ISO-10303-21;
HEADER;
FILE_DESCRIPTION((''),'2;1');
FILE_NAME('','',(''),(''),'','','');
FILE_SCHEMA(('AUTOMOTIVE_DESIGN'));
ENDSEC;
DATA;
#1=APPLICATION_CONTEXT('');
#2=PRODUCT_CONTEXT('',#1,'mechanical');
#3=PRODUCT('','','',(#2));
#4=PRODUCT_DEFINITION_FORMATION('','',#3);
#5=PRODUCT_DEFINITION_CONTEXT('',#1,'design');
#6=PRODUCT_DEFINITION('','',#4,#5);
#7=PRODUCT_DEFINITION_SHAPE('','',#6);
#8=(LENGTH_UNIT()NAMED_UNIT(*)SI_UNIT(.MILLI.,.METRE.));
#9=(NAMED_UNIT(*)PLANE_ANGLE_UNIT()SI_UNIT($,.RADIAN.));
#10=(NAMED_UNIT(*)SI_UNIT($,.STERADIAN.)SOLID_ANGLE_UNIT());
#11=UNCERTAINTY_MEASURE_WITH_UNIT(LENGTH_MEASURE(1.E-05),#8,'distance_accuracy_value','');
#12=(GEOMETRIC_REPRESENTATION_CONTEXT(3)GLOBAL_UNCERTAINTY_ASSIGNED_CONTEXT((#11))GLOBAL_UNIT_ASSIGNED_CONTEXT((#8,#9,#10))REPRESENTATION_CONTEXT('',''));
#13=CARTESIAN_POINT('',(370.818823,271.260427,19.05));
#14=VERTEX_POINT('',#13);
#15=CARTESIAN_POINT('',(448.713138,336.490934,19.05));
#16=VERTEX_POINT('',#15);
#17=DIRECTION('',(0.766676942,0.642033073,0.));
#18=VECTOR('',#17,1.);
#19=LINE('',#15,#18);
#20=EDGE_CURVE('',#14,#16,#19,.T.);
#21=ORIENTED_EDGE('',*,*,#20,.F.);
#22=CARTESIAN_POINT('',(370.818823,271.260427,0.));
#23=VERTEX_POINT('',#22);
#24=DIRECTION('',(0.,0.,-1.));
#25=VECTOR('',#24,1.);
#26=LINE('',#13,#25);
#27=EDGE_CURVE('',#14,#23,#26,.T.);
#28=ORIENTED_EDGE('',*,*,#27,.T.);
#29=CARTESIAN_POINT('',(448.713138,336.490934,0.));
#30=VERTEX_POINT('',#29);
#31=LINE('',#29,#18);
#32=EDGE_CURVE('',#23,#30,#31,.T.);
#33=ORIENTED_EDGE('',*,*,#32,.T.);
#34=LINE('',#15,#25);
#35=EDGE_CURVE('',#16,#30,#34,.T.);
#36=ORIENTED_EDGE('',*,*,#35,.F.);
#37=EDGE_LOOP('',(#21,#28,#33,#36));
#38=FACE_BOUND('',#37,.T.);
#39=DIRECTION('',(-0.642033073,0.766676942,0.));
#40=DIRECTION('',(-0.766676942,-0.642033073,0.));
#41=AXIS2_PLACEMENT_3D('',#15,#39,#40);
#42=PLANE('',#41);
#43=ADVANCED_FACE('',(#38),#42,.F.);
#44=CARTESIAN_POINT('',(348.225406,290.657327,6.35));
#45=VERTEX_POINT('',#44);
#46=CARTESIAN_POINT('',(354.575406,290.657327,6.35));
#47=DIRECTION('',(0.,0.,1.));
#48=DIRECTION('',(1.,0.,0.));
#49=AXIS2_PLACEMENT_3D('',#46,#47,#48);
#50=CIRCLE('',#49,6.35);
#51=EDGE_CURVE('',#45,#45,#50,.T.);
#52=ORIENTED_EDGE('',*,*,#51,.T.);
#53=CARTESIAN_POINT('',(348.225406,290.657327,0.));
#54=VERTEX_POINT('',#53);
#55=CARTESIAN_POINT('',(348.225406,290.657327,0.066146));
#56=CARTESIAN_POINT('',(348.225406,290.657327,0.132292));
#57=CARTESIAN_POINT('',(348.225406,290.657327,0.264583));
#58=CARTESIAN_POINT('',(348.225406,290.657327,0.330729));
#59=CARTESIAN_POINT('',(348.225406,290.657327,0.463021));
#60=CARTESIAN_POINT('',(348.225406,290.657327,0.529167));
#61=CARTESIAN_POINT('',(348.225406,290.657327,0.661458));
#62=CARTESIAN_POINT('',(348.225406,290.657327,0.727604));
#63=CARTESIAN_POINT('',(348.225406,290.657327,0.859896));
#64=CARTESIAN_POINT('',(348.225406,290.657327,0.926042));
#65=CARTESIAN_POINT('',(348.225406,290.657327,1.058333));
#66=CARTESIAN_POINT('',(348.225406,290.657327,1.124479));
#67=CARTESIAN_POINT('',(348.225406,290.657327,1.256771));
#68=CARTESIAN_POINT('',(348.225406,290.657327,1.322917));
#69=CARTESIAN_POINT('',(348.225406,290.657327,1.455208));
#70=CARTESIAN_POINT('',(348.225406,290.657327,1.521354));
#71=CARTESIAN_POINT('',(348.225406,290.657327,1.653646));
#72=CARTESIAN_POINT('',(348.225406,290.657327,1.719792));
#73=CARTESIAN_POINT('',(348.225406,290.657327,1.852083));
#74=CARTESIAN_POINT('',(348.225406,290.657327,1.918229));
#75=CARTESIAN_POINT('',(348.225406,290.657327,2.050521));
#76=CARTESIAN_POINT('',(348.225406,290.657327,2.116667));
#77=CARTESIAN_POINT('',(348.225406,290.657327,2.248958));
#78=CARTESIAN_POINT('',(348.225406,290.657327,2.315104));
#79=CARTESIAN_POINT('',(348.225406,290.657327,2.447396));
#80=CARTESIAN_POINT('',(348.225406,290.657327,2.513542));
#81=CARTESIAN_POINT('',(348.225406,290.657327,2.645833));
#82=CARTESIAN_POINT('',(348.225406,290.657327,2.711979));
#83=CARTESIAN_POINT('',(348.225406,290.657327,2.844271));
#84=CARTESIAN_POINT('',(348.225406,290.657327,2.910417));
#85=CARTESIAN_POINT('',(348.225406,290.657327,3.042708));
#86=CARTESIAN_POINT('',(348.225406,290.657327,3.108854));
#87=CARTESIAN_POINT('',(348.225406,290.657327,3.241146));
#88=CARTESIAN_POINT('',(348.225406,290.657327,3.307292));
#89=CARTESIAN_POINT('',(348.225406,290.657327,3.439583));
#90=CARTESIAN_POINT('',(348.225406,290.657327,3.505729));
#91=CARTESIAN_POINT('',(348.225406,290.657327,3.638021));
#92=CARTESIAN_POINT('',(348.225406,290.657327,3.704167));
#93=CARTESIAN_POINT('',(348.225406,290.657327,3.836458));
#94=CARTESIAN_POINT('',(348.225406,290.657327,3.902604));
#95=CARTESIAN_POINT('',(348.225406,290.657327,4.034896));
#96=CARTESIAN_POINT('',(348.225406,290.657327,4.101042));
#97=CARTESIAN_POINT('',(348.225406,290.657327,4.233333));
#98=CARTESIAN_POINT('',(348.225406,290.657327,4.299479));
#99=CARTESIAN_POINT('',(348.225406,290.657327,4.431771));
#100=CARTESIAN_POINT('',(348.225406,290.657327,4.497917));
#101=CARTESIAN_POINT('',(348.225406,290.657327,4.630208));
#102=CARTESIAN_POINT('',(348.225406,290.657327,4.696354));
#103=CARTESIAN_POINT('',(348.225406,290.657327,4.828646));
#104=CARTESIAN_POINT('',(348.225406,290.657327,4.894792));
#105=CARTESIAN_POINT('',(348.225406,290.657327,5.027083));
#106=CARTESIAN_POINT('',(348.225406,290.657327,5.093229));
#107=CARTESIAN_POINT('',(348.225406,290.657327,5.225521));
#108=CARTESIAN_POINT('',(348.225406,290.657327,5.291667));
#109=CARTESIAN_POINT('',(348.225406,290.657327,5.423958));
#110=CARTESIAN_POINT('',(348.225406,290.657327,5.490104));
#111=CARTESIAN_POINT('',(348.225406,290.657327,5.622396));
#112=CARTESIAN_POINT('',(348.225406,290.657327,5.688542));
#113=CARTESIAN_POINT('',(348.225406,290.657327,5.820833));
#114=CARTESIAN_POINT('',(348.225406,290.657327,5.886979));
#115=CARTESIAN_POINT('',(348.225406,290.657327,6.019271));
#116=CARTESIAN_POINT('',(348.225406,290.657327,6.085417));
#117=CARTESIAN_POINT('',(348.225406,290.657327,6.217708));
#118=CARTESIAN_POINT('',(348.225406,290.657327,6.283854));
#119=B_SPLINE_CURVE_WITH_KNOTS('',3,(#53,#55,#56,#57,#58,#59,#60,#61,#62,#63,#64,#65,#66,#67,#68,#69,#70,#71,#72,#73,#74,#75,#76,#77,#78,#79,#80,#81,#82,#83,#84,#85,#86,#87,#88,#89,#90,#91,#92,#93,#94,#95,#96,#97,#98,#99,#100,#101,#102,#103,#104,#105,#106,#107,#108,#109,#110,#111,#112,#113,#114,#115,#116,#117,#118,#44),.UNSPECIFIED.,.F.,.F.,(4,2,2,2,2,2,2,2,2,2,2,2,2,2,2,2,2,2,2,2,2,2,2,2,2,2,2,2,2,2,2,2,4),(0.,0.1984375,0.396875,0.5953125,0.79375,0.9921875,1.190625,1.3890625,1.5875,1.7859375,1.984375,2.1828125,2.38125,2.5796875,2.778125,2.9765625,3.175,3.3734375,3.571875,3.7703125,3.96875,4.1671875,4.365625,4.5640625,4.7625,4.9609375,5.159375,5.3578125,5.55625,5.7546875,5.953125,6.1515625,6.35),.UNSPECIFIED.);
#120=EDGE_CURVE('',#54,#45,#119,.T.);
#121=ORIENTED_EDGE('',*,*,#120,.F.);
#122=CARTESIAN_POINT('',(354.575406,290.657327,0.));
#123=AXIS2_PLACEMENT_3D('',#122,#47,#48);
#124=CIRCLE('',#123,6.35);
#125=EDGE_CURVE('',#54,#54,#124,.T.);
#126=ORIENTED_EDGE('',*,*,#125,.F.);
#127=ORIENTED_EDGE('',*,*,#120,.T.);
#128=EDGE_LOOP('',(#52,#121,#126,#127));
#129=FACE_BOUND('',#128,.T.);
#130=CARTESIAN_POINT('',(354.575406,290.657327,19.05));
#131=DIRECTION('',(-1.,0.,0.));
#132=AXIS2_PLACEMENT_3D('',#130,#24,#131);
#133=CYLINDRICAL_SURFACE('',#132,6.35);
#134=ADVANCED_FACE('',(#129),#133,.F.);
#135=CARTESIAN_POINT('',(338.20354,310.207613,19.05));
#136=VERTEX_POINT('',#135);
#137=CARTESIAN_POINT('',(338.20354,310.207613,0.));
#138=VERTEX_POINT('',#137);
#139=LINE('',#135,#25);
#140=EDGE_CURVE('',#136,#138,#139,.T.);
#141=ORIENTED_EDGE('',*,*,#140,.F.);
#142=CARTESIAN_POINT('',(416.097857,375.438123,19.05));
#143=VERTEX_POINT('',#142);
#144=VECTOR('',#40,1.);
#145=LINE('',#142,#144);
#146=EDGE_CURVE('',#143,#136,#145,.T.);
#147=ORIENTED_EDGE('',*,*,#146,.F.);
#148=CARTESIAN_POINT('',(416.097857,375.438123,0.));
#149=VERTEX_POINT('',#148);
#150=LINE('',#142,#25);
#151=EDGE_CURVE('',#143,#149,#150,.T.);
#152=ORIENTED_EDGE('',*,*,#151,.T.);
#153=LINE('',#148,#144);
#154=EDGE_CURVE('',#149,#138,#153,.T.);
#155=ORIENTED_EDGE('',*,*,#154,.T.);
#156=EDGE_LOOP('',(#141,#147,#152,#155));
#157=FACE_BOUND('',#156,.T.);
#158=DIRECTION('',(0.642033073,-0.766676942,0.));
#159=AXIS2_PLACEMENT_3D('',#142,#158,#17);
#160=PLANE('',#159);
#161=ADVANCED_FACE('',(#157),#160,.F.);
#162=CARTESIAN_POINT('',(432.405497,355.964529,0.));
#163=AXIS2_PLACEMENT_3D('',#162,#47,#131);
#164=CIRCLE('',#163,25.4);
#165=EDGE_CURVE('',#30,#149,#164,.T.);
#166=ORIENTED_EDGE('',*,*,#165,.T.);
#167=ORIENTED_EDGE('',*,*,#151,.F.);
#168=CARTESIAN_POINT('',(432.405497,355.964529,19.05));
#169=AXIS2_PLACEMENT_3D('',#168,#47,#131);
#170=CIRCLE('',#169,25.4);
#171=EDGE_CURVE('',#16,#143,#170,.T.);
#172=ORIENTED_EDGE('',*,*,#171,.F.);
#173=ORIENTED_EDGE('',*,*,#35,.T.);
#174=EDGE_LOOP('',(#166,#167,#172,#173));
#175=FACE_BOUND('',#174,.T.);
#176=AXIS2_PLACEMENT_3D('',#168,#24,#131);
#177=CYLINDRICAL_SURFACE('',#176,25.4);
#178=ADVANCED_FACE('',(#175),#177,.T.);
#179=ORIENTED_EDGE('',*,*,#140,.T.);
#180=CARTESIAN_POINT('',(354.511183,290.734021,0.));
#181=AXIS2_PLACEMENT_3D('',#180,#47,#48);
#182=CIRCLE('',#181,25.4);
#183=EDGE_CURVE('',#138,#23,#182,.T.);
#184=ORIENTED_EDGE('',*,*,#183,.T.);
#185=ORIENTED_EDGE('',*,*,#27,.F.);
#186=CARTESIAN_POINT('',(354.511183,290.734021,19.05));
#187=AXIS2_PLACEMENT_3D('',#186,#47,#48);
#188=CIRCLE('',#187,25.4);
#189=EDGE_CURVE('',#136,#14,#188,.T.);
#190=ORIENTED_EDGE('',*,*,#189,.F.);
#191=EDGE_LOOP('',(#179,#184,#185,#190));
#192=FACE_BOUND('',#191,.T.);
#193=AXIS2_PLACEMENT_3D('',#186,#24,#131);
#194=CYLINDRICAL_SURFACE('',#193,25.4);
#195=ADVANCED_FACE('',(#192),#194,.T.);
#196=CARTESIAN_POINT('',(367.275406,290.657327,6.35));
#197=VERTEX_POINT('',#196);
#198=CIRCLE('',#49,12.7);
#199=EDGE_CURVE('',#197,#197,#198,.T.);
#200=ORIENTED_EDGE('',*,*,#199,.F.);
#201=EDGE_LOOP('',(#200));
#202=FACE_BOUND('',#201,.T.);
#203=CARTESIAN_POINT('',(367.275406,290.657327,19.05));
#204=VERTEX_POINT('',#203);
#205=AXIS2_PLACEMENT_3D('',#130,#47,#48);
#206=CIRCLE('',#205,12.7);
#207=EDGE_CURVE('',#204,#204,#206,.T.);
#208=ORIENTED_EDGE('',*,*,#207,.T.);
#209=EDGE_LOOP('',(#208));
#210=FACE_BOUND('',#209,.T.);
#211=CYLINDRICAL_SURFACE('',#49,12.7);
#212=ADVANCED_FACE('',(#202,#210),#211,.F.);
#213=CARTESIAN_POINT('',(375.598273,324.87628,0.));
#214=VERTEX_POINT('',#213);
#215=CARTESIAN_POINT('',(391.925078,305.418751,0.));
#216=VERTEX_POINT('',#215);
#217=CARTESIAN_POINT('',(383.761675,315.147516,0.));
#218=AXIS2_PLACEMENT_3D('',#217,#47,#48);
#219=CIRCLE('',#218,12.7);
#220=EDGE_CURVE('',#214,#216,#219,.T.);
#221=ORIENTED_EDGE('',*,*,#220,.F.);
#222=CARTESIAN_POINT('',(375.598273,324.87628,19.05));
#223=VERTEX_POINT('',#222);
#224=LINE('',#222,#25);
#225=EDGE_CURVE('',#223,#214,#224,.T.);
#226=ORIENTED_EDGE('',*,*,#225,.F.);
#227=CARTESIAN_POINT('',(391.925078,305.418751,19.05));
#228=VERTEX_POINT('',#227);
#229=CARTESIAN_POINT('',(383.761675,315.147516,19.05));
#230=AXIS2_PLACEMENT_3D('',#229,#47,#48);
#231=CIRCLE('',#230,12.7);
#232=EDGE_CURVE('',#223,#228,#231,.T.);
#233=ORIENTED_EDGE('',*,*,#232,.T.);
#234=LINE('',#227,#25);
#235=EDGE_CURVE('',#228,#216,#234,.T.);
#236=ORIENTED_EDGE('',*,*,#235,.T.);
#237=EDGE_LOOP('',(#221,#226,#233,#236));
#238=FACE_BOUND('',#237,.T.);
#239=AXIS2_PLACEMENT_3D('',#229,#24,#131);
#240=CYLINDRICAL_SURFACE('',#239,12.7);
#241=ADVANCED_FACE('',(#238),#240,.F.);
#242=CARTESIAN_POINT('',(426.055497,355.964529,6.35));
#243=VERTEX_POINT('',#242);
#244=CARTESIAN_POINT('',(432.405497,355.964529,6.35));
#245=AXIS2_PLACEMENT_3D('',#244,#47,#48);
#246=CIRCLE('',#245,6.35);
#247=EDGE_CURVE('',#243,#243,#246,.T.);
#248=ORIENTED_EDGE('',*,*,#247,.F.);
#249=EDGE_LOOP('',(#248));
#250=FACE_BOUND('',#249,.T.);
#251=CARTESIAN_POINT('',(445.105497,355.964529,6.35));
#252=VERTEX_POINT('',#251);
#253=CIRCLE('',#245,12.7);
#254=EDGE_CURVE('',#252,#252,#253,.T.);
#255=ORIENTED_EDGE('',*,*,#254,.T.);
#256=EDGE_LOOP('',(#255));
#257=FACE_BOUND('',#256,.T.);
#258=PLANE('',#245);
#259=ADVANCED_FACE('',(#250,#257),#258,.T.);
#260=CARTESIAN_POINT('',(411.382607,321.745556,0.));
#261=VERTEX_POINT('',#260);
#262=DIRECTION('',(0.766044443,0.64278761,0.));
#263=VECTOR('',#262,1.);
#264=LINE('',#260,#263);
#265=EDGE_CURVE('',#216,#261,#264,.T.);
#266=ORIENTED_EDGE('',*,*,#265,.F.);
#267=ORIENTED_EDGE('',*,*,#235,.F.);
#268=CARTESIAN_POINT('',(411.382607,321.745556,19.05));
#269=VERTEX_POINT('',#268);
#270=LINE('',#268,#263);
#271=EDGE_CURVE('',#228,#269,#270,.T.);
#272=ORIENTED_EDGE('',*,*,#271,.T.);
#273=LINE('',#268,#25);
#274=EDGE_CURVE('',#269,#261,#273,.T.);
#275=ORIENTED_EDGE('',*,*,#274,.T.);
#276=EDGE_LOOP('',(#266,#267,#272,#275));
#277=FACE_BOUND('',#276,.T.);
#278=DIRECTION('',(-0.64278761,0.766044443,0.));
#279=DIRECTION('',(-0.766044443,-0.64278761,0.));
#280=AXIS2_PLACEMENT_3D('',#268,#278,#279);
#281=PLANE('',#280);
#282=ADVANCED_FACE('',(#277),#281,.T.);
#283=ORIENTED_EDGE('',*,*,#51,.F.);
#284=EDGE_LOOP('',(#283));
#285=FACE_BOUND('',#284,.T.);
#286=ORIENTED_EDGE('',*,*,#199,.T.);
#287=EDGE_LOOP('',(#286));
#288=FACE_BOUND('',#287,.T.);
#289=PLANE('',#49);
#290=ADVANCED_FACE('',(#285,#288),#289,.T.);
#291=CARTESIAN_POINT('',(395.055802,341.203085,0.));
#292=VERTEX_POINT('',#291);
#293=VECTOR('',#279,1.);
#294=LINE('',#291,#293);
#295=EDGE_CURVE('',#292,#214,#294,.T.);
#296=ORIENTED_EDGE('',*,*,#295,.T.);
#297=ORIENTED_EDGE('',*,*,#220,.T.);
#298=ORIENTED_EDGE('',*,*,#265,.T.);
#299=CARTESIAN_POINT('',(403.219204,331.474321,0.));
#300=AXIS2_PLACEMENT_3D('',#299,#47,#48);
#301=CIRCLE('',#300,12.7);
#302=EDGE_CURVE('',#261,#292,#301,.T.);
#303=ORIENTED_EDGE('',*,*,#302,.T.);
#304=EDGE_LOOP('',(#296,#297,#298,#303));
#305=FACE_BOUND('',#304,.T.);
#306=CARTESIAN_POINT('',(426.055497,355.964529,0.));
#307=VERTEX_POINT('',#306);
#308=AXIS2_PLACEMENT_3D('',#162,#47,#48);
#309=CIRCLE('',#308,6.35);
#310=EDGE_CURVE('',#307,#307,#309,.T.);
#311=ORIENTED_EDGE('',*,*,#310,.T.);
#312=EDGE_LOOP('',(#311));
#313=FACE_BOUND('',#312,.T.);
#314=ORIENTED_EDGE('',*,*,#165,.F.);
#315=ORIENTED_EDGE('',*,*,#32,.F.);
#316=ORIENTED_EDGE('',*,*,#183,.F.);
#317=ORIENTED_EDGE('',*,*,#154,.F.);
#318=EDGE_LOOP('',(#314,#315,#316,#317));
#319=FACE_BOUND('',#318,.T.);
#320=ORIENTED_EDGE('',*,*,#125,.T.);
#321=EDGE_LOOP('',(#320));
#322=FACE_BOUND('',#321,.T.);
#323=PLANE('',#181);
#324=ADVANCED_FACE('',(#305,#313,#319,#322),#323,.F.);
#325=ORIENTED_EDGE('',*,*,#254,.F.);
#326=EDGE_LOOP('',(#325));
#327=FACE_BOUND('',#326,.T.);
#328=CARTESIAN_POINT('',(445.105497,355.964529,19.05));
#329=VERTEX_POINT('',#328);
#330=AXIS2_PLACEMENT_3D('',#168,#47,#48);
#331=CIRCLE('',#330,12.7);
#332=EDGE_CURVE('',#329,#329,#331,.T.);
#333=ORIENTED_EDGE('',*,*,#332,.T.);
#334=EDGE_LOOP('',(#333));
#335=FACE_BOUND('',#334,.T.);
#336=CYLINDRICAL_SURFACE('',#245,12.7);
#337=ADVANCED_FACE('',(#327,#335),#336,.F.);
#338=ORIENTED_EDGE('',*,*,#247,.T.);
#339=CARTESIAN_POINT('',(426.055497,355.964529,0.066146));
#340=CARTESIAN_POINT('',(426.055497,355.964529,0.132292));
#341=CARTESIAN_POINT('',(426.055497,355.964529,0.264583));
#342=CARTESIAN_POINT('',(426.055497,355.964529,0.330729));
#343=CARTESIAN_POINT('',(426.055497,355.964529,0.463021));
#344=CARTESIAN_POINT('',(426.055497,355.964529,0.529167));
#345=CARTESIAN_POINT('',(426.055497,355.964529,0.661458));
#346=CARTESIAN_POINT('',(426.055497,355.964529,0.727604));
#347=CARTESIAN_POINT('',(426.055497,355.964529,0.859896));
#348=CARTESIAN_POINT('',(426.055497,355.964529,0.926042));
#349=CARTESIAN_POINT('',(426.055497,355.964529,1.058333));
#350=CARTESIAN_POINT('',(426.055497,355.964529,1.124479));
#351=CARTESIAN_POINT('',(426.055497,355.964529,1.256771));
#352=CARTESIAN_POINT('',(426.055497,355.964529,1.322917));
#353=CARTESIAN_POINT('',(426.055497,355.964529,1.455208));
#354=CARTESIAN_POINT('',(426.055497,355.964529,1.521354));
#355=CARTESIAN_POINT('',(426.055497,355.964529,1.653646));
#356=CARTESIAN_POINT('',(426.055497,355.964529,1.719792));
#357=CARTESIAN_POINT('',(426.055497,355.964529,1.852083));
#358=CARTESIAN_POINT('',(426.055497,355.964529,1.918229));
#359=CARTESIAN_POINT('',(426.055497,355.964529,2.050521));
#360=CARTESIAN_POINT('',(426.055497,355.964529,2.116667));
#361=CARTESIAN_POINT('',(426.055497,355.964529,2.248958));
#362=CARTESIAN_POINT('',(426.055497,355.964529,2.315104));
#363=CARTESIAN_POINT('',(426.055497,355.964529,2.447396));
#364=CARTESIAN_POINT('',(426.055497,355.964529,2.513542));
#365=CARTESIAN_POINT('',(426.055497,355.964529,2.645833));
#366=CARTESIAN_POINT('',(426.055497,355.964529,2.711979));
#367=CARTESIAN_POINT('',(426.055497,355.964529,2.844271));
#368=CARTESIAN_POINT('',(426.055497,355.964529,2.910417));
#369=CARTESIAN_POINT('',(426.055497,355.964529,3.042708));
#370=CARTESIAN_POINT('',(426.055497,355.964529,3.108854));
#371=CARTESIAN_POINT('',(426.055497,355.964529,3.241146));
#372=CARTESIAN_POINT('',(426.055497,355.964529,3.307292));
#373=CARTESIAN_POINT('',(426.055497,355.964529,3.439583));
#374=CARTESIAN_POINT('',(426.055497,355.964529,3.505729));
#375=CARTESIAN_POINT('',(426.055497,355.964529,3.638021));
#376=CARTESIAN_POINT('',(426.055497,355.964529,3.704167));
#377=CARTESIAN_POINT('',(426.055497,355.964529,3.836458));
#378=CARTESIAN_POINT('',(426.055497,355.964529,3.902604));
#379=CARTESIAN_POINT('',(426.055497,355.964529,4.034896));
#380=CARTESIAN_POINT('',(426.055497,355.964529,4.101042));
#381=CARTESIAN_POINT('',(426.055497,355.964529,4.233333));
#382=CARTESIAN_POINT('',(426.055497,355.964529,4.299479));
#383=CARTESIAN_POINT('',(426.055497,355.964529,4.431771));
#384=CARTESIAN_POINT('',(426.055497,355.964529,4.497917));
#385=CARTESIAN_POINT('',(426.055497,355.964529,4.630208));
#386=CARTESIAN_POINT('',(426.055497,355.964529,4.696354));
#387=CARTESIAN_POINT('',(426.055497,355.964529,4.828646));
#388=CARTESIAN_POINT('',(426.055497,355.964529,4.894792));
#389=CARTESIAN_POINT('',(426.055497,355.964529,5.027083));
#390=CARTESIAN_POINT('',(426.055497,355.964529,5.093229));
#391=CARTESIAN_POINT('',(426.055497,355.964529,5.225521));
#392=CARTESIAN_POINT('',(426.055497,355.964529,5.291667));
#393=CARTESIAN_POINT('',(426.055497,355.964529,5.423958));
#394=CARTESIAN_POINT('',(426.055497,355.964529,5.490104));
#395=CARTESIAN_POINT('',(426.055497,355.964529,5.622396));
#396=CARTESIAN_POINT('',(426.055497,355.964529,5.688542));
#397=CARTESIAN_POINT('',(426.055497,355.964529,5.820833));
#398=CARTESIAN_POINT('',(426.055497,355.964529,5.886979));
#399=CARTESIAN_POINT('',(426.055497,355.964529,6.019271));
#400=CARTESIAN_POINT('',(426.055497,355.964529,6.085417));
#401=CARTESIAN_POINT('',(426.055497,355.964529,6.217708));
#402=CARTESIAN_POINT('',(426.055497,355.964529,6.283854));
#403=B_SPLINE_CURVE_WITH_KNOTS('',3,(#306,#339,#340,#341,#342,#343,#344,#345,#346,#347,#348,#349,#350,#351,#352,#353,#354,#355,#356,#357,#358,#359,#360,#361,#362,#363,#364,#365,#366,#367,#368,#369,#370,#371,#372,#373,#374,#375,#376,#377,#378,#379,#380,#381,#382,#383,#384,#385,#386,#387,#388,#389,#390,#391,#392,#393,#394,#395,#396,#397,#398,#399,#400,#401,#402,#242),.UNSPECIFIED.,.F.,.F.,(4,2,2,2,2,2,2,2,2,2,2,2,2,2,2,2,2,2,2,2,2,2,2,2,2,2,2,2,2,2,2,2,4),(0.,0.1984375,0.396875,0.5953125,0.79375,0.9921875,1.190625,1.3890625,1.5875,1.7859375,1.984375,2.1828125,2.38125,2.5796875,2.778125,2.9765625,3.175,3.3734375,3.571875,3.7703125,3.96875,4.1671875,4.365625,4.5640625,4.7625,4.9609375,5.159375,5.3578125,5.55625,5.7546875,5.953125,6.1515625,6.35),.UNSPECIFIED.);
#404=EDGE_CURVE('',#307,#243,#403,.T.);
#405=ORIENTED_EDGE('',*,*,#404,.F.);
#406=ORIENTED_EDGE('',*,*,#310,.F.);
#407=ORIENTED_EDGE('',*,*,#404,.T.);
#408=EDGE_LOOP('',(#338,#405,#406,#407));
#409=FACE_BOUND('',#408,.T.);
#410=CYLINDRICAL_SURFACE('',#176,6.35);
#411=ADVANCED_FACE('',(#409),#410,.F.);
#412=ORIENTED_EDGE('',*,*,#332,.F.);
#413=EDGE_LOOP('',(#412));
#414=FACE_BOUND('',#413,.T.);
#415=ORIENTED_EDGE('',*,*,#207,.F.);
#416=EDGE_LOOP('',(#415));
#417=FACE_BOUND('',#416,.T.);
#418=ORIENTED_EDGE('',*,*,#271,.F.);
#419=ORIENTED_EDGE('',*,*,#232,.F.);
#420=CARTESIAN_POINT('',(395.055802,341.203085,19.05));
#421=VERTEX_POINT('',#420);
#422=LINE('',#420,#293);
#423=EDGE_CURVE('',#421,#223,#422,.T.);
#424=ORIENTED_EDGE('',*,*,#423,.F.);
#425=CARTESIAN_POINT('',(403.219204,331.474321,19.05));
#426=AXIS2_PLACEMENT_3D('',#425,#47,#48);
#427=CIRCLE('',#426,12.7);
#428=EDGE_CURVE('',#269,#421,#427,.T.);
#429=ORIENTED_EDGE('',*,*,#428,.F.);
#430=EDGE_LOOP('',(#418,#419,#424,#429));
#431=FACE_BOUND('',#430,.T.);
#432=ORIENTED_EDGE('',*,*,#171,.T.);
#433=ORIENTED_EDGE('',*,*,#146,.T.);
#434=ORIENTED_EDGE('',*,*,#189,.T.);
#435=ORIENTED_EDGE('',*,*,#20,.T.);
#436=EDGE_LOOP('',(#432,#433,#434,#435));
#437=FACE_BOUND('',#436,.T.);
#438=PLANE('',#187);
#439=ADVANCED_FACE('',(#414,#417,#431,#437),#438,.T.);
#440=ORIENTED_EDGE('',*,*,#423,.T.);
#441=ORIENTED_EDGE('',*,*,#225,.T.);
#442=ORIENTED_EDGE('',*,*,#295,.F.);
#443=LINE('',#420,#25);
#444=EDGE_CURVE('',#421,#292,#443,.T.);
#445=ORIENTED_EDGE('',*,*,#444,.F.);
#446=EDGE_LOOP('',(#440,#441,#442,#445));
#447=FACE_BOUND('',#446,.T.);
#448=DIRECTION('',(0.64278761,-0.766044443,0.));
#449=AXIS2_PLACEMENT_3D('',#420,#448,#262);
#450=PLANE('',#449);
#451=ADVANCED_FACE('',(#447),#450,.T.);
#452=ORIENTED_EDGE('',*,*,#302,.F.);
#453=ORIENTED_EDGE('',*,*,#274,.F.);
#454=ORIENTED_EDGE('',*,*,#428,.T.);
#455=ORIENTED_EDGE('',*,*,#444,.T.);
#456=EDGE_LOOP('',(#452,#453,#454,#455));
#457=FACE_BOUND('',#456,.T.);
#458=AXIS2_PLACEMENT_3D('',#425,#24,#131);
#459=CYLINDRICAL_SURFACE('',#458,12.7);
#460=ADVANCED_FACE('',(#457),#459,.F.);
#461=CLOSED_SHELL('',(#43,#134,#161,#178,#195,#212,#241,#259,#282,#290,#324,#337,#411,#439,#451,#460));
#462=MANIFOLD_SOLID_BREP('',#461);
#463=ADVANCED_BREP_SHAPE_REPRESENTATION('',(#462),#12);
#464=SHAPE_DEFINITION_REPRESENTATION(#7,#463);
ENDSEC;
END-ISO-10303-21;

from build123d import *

# Parameters (mm, degrees)
SKETCH1_R           = 6.35
BOSS_EXTRUDE1_DEPTH = 19.05
SKETCH2_R           = 12.7
CUT_EXTRUDE1_DEPTH  = 12.7


with BuildPart() as part:
    # Sketch1 → Boss-Extrude1 (new body)
    with BuildSketch(Plane.XY):
        with BuildLine():
            Line((416.097857399, 375.438123066), (338.203539729, 310.207612774))
            ThreePointArc((338.203539729, 310.207612774), (335.037590149, 274.426379512), (370.818823143, 271.260426896))
            Line((370.818823143, 271.260426896), (448.713137508, 336.490934421))
            ThreePointArc((448.713137508, 336.490934421), (451.879091776, 372.272168799), (416.097857399, 375.438123066))
        make_face()
        with Locations(Location((354.575405538, 290.657327323, 0), (0, 0, 180))):
            Circle(SKETCH1_R, mode=Mode.SUBTRACT)
        with Locations(Location((432.405497453, 355.964528744, 0), (0, 0, 180))):
            Circle(SKETCH1_R, mode=Mode.SUBTRACT)
        with BuildLine():
            Line((411.382606814, 321.745556387), (391.925077958, 305.418751101))
            ThreePointArc((391.925077958, 305.418751101), (374.032910888, 306.984112886), (375.598272672, 324.876279956))
            Line((375.598272672, 324.876279956), (395.055801528, 341.203085243))
            ThreePointArc((395.055801528, 341.203085243), (412.947968598, 339.637723458), (411.382606814, 321.745556387))
        make_face(mode=Mode.SUBTRACT)
    extrude(amount=BOSS_EXTRUDE1_DEPTH)

    # Sketch2 → Cut-Extrude1 (cut)
    with BuildSketch(Plane.XY.offset(19.05)):
        with Locations((354.575405538, 290.657327323)):
            Circle(SKETCH2_R)
        with Locations((432.405497453, 355.964528744)):
            Circle(SKETCH2_R)
    extrude(amount=-CUT_EXTRUDE1_DEPTH, mode=Mode.SUBTRACT)


solid = part.part
